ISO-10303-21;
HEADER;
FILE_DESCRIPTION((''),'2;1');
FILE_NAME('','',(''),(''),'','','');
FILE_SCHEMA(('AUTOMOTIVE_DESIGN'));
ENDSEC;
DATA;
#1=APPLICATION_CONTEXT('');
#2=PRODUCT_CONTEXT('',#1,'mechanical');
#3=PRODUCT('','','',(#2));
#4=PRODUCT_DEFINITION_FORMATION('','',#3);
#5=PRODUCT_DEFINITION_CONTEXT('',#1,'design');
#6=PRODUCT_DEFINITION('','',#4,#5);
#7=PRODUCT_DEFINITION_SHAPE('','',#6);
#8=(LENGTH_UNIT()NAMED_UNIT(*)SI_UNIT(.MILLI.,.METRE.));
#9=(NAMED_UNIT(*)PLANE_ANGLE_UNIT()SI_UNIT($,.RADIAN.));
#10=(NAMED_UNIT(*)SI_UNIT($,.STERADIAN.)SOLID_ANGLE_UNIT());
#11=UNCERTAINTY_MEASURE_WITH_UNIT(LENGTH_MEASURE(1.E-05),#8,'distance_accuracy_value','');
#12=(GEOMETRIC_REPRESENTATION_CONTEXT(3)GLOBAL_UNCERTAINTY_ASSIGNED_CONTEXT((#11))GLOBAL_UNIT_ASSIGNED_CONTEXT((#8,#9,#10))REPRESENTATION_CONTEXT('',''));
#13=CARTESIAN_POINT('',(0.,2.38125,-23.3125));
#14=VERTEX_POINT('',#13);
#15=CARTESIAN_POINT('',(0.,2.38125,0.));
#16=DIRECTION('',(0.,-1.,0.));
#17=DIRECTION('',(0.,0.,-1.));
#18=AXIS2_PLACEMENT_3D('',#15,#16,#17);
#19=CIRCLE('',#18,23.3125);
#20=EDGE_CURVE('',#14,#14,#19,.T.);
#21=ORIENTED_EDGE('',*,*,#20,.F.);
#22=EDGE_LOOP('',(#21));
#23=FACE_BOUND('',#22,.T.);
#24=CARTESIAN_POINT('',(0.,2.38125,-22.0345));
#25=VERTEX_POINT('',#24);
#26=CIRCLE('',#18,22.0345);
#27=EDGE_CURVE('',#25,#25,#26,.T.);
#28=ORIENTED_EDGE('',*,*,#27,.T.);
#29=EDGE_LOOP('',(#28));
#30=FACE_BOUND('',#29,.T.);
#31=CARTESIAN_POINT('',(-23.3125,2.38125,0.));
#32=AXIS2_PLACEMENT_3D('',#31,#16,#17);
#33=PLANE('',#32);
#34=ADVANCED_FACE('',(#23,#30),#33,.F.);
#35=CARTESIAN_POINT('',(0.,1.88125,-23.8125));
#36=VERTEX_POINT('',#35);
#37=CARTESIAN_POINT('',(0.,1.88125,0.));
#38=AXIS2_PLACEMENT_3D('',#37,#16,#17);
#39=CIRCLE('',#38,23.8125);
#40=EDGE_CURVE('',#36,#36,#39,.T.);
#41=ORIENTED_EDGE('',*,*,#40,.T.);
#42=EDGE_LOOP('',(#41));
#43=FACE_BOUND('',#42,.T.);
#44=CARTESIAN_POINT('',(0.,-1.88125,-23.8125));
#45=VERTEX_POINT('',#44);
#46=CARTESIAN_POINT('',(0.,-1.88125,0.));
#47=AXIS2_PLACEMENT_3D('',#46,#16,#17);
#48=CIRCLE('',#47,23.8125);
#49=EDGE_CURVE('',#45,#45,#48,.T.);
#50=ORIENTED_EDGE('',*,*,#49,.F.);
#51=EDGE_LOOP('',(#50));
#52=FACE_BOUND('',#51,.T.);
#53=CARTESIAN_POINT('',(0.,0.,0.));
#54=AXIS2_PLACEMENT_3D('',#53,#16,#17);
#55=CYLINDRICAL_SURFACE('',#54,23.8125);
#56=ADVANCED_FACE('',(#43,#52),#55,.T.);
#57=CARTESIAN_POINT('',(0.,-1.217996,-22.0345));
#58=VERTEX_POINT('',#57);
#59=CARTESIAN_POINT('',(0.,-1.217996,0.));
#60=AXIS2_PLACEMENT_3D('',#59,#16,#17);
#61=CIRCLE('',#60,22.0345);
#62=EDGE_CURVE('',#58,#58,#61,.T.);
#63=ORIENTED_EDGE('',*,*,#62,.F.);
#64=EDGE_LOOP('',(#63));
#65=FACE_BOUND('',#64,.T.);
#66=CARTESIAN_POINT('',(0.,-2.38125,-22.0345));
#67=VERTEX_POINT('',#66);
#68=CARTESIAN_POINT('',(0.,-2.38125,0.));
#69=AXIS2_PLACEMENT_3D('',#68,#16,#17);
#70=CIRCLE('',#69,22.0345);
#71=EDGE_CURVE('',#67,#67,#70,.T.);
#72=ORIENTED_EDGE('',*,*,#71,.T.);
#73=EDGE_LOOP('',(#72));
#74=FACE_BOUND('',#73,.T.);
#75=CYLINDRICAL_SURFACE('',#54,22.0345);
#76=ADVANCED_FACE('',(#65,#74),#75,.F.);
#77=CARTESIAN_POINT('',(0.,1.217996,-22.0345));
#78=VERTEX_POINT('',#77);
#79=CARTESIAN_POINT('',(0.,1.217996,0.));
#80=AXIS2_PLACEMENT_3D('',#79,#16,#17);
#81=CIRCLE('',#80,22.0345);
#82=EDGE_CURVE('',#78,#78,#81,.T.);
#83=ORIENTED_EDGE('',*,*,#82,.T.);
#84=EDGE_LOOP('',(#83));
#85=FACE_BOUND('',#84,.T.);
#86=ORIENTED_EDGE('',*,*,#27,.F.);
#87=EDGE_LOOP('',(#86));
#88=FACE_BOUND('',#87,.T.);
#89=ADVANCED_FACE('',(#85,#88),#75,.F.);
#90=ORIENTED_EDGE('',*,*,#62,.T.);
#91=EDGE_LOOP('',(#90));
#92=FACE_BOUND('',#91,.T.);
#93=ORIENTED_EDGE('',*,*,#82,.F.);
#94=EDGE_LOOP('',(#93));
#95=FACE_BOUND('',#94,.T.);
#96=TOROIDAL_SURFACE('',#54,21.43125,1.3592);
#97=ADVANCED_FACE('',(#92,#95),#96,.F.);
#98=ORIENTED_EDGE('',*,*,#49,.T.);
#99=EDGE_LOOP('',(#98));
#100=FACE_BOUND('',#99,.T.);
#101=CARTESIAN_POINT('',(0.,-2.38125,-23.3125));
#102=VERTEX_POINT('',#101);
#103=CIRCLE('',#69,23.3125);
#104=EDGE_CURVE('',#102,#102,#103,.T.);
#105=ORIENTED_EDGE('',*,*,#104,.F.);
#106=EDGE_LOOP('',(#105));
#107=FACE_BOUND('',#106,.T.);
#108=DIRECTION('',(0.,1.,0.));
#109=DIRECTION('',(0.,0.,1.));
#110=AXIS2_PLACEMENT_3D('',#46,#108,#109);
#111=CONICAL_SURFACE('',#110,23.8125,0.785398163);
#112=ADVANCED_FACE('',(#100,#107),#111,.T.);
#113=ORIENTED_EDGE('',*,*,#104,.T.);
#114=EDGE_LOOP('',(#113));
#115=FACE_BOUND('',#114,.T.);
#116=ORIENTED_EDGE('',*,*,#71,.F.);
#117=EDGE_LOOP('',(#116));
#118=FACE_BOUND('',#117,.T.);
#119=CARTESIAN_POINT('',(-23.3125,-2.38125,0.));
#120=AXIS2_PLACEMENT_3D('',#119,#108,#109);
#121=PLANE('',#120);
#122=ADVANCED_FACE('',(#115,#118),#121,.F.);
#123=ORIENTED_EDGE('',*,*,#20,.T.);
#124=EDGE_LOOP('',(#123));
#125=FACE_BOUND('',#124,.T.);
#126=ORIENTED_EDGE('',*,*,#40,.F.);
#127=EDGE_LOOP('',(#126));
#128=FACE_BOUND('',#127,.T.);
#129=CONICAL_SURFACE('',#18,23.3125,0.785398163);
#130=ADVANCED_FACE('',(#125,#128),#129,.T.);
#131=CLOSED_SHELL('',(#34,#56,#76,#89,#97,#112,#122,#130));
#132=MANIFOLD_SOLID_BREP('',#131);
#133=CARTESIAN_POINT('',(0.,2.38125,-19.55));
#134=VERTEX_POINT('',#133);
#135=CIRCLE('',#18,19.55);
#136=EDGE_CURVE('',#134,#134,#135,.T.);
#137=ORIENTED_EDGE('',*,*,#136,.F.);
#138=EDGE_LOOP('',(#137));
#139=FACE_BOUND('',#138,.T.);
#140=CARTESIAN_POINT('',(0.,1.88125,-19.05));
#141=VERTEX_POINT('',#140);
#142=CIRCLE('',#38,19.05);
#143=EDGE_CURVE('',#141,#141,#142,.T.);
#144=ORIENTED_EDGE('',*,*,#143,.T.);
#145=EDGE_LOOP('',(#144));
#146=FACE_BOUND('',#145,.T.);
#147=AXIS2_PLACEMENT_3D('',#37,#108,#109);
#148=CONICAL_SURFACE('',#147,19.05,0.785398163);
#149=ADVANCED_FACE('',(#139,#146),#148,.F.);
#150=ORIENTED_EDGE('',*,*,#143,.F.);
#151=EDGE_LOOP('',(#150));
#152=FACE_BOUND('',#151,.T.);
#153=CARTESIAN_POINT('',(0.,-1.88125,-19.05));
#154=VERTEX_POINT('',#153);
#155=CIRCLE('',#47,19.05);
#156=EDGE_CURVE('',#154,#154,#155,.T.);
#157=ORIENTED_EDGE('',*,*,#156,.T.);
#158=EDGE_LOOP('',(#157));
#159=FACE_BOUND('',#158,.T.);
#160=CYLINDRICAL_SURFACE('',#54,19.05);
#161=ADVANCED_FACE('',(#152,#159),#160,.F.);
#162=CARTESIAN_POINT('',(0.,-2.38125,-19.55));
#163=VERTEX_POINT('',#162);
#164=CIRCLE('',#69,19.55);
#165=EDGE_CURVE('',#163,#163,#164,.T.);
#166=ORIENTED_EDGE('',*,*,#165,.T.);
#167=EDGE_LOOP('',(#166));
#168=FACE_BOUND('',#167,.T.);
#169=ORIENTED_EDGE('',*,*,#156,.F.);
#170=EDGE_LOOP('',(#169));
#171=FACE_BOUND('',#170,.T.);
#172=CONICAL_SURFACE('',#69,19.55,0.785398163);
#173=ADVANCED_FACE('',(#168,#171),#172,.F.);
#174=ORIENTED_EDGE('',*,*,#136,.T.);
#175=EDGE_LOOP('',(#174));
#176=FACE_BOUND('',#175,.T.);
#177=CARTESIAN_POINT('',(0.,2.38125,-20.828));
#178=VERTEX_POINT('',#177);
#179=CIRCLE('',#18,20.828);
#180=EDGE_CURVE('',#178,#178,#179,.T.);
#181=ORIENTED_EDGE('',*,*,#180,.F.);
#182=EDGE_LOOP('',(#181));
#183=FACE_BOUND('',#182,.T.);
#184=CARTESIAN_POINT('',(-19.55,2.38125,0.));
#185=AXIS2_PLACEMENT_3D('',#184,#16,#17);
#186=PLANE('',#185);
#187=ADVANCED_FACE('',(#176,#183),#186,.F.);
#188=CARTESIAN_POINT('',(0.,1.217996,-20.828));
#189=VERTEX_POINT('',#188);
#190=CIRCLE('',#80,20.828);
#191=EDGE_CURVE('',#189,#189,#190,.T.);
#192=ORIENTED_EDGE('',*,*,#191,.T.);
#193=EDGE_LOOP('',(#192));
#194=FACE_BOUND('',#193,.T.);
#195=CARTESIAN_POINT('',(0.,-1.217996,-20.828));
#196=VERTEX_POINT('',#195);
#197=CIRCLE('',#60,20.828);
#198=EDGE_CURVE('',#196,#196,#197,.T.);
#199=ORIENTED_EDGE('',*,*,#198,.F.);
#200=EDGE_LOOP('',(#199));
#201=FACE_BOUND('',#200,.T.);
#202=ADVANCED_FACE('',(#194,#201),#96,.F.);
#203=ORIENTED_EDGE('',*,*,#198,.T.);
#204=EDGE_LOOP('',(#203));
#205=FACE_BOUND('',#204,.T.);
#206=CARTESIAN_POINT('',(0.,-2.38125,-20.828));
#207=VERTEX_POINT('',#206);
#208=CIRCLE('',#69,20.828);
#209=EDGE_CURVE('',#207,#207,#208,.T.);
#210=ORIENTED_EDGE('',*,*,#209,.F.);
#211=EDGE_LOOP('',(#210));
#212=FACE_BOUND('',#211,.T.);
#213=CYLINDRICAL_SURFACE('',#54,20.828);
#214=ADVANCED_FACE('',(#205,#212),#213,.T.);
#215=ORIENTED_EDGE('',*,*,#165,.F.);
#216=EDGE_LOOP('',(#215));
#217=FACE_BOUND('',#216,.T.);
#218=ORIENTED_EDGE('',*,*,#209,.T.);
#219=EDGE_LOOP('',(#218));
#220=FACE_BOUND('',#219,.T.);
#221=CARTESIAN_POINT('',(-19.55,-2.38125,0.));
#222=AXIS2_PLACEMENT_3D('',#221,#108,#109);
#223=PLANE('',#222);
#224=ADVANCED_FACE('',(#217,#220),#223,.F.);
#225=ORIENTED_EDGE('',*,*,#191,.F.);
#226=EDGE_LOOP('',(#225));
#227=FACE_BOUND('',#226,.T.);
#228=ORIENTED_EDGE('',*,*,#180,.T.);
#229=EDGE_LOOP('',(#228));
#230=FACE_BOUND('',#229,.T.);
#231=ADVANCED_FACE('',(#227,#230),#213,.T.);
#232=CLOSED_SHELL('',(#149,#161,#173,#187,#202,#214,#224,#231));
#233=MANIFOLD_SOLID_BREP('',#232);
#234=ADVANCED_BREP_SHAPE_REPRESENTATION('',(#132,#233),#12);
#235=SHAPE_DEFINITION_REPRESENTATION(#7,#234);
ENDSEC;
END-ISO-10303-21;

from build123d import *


with BuildPart() as part:
    # Sketch1 → Revolve1 (revolve)
    with BuildSketch(Plane.XY):
        with BuildLine():
            Line((-23.8125, -1.88125), (-23.8125, 1.88125))
            Line((-23.8125, 1.88125), (-23.3125, 2.38125))
            Line((-23.3125, 2.38125), (-22.0345, 2.38125))
            Line((-22.0345, 2.38125), (-22.0345, 1.217995801))
            ThreePointArc((-22.0345, 1.217995801), (-22.790449887, 0), (-22.0345, -1.217995801))
            Line((-22.0345, -1.217995801), (-22.0345, -2.38125))
            Line((-22.0345, -2.38125), (-23.3125, -2.38125))
            Line((-23.3125, -2.38125), (-23.8125, -1.88125))
        make_face()
        with BuildLine():
            Line((-19.05, -1.88125), (-19.55, -2.38125))
            Line((-19.55, -2.38125), (-20.828, -2.38125))
            Line((-20.828, -2.38125), (-20.828, -1.217995801))
            ThreePointArc((-20.828, -1.217995801), (-20.072050113, 0), (-20.828, 1.217995801))
            Line((-20.828, 1.217995801), (-20.828, 2.38125))
            Line((-20.828, 2.38125), (-19.55, 2.38125))
            Line((-19.55, 2.38125), (-19.05, 1.88125))
            Line((-19.05, 1.88125), (-19.05, -1.88125))
        make_face()
    revolve(axis=Axis((0, 0, 0), (0, 1, 0)))


solid = part.part
